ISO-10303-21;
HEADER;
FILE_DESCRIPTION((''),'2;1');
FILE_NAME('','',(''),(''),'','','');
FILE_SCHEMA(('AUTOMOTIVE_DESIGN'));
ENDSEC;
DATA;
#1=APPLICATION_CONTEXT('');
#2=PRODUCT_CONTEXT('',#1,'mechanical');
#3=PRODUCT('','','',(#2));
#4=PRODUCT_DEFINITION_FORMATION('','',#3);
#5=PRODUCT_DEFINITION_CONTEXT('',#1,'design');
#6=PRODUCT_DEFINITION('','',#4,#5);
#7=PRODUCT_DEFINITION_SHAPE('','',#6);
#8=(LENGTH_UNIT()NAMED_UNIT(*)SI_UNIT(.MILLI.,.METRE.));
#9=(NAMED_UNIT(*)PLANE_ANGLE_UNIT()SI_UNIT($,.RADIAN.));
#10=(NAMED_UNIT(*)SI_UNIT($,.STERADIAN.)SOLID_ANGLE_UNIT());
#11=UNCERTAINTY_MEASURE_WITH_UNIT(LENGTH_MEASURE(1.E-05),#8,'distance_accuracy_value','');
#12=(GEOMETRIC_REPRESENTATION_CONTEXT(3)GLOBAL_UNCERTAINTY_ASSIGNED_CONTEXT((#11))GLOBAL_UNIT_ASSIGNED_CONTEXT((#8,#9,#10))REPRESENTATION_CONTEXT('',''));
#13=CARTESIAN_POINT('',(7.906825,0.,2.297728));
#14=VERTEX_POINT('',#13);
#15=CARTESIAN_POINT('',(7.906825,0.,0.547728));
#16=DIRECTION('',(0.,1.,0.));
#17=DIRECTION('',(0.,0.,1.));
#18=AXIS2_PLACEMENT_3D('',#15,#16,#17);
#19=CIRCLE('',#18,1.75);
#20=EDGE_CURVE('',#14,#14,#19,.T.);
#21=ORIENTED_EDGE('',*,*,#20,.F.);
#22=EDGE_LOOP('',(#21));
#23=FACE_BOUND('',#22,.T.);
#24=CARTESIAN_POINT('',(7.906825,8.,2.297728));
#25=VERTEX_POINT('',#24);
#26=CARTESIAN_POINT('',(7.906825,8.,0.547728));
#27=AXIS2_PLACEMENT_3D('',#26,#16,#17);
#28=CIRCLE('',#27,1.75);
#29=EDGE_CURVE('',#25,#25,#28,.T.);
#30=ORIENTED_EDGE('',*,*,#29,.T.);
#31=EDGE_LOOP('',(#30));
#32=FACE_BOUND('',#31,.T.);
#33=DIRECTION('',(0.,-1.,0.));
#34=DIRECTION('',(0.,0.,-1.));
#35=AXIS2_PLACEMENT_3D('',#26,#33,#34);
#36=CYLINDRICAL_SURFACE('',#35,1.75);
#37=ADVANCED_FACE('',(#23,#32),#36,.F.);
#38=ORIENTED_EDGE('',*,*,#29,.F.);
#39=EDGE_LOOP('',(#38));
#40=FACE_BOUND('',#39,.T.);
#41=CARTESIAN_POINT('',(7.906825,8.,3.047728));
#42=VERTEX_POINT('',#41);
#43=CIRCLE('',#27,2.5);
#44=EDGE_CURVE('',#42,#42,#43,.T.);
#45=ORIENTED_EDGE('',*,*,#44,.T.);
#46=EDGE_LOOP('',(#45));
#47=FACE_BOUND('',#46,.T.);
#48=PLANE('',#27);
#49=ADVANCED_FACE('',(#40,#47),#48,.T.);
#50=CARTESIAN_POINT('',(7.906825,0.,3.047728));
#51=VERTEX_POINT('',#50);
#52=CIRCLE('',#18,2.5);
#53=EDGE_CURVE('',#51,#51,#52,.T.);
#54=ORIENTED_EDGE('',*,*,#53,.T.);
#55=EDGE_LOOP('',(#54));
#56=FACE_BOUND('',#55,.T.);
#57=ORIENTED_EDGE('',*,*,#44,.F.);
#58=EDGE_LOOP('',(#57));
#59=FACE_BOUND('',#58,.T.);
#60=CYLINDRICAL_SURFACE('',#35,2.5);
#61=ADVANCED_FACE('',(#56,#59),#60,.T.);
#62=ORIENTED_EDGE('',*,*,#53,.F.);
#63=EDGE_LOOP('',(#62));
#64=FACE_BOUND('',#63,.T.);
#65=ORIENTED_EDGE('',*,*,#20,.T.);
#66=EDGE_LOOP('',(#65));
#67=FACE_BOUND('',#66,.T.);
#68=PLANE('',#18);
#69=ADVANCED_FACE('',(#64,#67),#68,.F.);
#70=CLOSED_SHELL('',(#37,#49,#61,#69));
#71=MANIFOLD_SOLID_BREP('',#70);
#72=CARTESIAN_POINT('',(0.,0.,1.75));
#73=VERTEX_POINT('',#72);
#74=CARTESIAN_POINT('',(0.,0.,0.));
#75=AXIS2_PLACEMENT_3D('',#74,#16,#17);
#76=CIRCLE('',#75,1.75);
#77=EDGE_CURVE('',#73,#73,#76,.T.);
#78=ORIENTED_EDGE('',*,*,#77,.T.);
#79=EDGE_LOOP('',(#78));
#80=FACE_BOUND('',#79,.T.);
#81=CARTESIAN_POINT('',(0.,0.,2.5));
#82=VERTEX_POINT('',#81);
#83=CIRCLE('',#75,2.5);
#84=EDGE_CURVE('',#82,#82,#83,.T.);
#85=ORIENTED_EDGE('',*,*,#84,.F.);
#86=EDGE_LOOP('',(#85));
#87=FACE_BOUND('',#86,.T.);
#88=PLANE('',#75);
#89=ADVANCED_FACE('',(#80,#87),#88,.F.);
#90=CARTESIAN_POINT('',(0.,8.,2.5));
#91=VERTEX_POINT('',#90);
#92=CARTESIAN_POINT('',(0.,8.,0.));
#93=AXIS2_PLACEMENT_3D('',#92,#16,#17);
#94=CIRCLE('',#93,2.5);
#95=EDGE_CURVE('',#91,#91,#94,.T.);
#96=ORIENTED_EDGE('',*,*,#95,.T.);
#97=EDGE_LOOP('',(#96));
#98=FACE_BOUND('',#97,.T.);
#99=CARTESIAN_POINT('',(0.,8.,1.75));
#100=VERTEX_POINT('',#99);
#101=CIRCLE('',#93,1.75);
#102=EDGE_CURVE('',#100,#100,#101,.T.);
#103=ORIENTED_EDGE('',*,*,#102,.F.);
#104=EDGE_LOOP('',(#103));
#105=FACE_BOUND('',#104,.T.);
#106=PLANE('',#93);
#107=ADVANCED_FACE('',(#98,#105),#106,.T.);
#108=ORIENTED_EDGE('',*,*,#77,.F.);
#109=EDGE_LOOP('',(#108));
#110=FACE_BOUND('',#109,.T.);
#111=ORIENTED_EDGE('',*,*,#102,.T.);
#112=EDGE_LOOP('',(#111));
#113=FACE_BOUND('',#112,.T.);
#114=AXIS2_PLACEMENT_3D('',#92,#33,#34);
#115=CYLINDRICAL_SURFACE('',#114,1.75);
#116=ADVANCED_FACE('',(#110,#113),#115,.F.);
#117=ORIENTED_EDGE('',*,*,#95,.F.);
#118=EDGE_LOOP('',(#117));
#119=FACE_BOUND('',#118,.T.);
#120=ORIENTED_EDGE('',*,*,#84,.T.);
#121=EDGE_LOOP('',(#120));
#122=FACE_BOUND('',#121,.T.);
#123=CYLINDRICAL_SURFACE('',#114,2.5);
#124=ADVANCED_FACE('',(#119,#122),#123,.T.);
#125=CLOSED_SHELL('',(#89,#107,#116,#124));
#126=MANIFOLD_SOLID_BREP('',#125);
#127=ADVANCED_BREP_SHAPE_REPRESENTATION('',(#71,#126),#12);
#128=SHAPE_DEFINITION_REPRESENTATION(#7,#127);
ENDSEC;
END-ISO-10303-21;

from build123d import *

# Parameters (mm, degrees)
SKETCH1_R           = 2.5
SKETCH1_R_2         = 1.75
BOSS_EXTRUDE1_DEPTH = 8
SKETCH2_R           = 2.5
SKETCH2_R_2         = 1.75
BOSS_EXTRUDE2_DEPTH = 8


with BuildPart() as part:
    # Sketch1 → Boss-Extrude1 (new body)
    with BuildSketch(Plane(origin=(0, 0, 0), x_dir=(1, 0, 0), z_dir=(0, 1, 0))):
        with Locations(Location((0, 0, 0), (0, 0, 270))):
            Circle(SKETCH1_R)
        with Locations(Location((0, 0, 0), (0, 0, 270))):
            Circle(SKETCH1_R_2, mode=Mode.SUBTRACT)
    extrude(amount=BOSS_EXTRUDE1_DEPTH)


with BuildPart() as body_2:
    # Sketch2 → Boss-Extrude2 (new body)
    with BuildSketch(Plane(origin=(0, 0, 0), x_dir=(1, 0, 0), z_dir=(0, 1, 0))):
        with Locations(Location((7.906825371, -0.547727598, 0), (0, 0, 270))):
            Circle(SKETCH2_R)
        with Locations(Location((7.906825371, -0.547727598, 0), (0, 0, 270))):
            Circle(SKETCH2_R_2, mode=Mode.SUBTRACT)
    extrude(amount=BOSS_EXTRUDE2_DEPTH)


solid = Compound([part.part, body_2.part])
